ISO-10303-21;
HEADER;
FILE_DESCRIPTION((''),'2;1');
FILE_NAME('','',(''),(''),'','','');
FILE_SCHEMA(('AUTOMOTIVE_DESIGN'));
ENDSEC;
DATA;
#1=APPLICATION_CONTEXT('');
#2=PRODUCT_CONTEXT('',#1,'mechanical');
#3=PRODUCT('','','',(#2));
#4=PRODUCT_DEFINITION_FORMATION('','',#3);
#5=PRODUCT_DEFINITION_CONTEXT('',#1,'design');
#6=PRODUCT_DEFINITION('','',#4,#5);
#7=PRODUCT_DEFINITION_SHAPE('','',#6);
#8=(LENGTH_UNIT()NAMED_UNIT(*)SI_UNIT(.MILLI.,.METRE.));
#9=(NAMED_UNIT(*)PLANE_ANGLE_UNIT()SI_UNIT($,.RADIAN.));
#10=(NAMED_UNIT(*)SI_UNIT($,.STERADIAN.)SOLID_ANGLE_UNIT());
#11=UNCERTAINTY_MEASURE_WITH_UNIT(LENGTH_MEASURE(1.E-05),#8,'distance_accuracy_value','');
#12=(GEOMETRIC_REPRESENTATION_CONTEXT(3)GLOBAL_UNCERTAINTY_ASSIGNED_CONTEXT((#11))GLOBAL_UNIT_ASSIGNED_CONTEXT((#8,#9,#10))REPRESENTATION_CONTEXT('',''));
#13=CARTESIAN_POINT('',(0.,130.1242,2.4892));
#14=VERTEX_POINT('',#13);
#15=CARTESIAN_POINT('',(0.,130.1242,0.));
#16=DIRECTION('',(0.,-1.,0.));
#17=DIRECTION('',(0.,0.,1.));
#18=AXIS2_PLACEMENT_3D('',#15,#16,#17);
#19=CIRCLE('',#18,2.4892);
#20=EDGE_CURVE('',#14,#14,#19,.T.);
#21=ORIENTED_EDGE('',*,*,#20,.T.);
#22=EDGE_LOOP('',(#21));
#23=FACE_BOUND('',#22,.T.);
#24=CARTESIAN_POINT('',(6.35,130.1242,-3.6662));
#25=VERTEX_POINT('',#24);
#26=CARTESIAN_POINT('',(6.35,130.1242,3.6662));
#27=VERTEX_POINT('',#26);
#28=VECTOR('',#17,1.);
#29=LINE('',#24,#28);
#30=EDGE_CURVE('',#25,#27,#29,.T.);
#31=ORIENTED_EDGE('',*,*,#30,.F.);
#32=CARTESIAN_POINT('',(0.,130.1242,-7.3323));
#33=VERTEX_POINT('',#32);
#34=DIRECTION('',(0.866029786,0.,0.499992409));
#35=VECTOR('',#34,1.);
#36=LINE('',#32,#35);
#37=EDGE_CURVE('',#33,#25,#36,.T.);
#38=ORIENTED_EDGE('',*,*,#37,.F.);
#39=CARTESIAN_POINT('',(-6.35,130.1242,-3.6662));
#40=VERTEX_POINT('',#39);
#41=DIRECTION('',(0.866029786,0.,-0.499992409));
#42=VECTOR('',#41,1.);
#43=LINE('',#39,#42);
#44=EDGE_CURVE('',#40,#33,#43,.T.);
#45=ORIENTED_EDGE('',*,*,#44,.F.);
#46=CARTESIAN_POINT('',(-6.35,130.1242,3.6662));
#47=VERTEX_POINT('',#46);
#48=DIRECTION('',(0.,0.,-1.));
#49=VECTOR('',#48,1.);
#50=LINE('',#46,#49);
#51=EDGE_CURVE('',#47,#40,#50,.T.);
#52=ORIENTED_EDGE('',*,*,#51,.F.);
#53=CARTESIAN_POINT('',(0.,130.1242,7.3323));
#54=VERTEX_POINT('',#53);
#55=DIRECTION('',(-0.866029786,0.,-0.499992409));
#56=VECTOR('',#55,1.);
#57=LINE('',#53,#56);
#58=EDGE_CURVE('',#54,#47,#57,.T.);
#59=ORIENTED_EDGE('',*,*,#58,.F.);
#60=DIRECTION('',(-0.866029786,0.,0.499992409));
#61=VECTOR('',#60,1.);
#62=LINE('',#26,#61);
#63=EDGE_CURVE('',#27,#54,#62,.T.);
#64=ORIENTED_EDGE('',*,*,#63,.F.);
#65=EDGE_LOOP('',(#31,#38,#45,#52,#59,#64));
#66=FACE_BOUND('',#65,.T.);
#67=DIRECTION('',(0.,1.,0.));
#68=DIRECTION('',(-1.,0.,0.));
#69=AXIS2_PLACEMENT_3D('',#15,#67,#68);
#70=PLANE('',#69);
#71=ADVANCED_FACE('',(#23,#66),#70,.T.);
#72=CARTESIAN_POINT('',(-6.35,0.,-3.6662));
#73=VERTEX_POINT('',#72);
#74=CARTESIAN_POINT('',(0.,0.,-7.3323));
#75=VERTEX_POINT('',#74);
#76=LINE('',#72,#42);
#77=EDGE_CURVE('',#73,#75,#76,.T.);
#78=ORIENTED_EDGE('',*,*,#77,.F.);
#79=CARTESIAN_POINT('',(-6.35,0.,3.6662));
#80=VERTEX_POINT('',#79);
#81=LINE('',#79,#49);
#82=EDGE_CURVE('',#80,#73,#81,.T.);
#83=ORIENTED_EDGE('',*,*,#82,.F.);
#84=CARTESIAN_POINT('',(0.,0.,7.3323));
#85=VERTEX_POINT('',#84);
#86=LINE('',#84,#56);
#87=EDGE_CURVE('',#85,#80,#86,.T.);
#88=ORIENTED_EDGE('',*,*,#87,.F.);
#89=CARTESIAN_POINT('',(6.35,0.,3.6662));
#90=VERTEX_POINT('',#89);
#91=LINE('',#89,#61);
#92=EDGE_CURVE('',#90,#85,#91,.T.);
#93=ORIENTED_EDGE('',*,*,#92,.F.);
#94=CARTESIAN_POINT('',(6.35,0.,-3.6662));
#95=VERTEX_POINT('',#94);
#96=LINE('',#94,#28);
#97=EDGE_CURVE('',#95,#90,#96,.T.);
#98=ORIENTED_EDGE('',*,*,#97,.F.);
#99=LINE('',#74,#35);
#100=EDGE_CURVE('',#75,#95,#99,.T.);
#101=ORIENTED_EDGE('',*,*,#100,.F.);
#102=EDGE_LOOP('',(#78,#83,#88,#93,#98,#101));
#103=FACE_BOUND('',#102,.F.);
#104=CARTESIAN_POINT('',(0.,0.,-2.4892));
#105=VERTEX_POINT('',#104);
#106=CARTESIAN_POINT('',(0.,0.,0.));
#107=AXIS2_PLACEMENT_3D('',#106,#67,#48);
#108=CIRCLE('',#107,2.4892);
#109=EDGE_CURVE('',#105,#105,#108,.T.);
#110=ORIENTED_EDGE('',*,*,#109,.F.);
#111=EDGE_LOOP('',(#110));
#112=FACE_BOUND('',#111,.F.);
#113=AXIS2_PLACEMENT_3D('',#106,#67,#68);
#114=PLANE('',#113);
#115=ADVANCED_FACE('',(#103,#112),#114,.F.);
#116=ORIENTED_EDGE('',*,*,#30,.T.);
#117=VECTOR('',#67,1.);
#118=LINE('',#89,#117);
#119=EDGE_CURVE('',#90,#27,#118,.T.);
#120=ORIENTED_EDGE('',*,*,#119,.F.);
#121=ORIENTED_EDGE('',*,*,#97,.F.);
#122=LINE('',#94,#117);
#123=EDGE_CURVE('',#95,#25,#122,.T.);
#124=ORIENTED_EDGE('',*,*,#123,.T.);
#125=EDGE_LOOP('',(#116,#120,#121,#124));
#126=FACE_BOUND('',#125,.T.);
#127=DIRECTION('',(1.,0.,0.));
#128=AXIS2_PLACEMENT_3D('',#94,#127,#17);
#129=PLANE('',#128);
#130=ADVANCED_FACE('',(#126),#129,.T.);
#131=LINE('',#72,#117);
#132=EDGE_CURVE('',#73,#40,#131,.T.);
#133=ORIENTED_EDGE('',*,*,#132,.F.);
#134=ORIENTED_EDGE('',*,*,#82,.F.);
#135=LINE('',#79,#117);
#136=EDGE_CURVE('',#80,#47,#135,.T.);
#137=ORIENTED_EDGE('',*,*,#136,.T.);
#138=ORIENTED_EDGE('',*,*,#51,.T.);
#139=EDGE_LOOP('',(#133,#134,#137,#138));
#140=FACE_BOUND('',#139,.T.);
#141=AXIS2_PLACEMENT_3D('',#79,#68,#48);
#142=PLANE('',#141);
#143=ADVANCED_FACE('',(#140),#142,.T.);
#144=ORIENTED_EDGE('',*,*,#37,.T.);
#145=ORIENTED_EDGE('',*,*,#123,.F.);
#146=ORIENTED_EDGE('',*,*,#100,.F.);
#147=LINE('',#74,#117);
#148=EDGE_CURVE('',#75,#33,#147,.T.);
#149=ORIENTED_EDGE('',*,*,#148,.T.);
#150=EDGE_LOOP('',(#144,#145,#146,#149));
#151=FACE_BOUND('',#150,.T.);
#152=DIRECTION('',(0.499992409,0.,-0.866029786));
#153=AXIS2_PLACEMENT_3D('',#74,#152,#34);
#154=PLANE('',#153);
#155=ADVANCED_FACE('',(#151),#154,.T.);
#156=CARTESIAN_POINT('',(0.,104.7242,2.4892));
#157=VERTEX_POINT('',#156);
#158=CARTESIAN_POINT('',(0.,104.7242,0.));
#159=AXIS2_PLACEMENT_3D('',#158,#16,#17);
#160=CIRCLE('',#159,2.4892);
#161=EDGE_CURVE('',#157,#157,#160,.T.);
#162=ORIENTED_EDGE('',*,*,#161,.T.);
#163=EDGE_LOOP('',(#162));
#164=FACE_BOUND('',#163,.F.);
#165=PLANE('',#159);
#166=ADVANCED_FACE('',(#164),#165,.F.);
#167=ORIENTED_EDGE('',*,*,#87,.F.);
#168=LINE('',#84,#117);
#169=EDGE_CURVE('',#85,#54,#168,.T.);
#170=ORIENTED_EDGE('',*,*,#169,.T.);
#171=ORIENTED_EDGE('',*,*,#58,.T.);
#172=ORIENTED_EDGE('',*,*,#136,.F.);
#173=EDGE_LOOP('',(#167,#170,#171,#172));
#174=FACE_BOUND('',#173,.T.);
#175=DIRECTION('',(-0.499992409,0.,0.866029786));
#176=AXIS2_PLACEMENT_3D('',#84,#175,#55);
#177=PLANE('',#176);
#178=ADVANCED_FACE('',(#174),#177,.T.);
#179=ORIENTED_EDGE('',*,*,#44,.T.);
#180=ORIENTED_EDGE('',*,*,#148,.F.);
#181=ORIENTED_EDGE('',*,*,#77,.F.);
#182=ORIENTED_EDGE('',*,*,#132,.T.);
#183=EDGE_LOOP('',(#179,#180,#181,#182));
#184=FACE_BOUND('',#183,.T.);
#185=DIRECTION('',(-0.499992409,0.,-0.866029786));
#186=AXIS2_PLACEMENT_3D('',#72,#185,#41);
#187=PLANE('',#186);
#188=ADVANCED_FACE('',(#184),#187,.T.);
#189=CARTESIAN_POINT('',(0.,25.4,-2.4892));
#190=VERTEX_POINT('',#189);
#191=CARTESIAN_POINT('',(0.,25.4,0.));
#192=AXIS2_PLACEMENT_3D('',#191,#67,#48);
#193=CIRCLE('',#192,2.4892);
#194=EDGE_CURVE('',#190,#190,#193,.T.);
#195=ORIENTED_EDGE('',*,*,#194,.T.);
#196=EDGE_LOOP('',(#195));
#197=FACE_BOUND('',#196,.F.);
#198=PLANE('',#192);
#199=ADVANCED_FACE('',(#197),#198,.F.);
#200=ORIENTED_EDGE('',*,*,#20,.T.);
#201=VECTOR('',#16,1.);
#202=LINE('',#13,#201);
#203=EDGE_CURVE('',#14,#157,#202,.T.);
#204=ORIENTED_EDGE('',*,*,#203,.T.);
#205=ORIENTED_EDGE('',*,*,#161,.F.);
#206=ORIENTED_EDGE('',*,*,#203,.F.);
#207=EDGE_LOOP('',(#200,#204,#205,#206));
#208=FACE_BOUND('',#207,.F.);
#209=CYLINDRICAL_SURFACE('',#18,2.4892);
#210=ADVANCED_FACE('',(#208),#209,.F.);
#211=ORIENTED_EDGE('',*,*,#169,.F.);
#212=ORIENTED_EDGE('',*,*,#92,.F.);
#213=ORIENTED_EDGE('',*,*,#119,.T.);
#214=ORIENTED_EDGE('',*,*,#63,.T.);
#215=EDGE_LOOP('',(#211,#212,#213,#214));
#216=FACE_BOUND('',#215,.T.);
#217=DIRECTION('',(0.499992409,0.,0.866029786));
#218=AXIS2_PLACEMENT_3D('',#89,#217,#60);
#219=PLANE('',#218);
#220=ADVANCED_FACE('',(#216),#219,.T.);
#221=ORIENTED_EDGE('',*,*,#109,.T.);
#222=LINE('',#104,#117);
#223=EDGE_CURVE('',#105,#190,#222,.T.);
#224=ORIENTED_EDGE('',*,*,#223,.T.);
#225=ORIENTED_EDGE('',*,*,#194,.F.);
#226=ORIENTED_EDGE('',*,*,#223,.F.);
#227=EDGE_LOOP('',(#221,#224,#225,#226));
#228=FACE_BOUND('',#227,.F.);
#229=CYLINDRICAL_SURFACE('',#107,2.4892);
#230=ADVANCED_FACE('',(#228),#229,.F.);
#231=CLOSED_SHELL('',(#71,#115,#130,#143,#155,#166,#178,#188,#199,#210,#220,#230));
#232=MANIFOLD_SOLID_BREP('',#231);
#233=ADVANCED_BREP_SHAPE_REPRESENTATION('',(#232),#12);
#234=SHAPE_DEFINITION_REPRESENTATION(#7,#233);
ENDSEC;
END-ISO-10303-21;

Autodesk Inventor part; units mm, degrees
ref_plane "YZ Plane" through (0, 0, 0) normal (1, 0, 0) x (0, 1, 0)
ref_plane "XZ Plane" through (0, 0, 0) normal (0, 1, 0) x (-1, 0, 0)
ref_plane "XY Plane" through (0, 0, 0) normal (0, 0, 1) x (1, 0, 0)
sketch "Sketch1" plane through (0, 0, 0) normal (0, 1, 0) x (-1, 0, 0)
  line L0 (6.35, -3.6662) -> (0, -7.3323)
  line L1 (0, -7.3323) -> (-6.35, -3.6662)
  line L2 (-6.35, -3.6662) -> (-6.35, 3.6662)
  line L3 (-6.35, 3.6662) -> (0, 7.3323)
  line L4 (0, 7.3323) -> (6.35, 3.6662)
  line L5 (6.35, 3.6662) -> (6.35, -3.6662)
  point P0 (0, 0)
  point P1 (0, 0)
  point P2 (0, 0)
  dimension "d0" = 12.7
extrude "Extrusion1" add sketch "Sketch1" along normal blind 130.1242
sketch "Sketch2" plane through (0, 0, 0) normal (0, -1, 0) x (1, 0, 0)
  point P0 (0, 0)
  point P1 (0, 0)
hole "Hole1" at (0, 0, 0) direction (0, 1, 0) diameter 4.9784 depth 25.4 thread size "1/4-20 UNC" class "2B" standard "ANSI Unified Screw Threads"
sketch "Sketch3" plane through (0, 130.1242, 0) normal (0, 1, 0) x (1, 0, 0)
  point P0 (0, 0)
  point P1 (0, 0)
hole "Hole2" at (0, 130.1242, 0) direction (0, -1, 0) diameter 4.9784 depth 25.4 thread size "1/4-20 UNC" class "2B" standard "ANSI Unified Screw Threads"
properties part number "SHOT_1_006_HexShaft1" material "Aluminum 6061"
